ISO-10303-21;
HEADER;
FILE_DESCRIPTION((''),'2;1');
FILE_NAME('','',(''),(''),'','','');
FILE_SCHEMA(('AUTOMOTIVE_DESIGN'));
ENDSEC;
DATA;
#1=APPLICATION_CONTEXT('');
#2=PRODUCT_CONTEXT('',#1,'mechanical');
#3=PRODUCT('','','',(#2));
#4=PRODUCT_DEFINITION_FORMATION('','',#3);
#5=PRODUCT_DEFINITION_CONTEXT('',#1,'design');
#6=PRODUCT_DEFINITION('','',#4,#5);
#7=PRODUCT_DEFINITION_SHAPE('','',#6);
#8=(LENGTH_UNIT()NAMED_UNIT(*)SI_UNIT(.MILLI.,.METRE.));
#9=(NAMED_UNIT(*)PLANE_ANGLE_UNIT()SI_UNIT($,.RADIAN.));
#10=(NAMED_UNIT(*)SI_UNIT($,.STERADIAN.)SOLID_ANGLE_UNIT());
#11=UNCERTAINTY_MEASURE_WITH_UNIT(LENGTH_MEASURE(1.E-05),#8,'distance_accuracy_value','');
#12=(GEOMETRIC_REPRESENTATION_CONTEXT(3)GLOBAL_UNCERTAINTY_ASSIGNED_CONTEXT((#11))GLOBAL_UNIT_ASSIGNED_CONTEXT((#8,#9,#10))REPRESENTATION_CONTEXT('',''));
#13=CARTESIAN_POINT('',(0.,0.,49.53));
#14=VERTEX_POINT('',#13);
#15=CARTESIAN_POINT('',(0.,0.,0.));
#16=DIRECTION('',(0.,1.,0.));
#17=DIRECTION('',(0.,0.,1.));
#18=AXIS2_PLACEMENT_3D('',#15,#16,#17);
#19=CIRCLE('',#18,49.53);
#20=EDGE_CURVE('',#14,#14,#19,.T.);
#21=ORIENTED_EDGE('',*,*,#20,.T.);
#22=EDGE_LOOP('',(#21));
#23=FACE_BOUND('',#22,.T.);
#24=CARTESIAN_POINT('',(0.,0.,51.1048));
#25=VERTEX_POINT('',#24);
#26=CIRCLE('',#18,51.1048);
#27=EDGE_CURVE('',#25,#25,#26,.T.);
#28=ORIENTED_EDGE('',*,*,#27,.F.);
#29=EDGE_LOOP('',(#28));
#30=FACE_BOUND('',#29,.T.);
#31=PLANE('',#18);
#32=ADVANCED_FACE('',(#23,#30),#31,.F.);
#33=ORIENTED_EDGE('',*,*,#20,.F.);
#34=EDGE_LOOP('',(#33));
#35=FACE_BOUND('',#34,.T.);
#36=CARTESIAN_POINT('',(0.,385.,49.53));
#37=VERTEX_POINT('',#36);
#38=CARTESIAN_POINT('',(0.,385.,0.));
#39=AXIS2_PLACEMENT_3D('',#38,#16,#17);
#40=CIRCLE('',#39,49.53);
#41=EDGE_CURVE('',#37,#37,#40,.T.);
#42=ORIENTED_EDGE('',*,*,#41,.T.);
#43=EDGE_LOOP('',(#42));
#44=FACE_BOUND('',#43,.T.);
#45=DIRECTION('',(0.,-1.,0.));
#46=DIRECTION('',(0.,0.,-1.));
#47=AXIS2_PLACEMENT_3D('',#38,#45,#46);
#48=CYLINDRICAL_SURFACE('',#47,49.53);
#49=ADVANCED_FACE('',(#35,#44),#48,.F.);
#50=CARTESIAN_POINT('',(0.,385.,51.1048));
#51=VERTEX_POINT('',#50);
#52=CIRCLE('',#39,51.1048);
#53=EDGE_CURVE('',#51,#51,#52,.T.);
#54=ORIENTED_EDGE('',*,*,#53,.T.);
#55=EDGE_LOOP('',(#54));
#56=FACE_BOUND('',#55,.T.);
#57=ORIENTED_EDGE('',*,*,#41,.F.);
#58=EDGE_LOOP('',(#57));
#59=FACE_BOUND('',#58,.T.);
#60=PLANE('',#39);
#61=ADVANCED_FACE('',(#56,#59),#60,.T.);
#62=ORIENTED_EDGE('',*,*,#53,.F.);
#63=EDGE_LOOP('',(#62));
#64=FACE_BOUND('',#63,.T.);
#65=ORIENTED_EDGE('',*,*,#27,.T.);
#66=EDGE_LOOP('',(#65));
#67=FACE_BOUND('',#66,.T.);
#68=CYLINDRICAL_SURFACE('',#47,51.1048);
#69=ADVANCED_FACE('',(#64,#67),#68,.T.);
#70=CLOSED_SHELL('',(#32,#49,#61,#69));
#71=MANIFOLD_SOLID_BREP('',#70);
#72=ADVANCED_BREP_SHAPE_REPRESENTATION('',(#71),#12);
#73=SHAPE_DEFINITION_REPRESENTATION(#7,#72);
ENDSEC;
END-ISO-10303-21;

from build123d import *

# Parameters (mm, degrees)
SKETCH3_R           = 51.1048
SKETCH3_R_2         = 49.53
BOSS_EXTRUDE1_DEPTH = 385


with BuildPart() as part:
    # Sketch3 → Boss-Extrude1 (new body)
    with BuildSketch(Plane(origin=(0, 0, 0), x_dir=(1, 0, 0), z_dir=(0, 1, 0))):
        Circle(SKETCH3_R)
        Circle(SKETCH3_R_2, mode=Mode.SUBTRACT)
    extrude(amount=BOSS_EXTRUDE1_DEPTH)


solid = part.part
